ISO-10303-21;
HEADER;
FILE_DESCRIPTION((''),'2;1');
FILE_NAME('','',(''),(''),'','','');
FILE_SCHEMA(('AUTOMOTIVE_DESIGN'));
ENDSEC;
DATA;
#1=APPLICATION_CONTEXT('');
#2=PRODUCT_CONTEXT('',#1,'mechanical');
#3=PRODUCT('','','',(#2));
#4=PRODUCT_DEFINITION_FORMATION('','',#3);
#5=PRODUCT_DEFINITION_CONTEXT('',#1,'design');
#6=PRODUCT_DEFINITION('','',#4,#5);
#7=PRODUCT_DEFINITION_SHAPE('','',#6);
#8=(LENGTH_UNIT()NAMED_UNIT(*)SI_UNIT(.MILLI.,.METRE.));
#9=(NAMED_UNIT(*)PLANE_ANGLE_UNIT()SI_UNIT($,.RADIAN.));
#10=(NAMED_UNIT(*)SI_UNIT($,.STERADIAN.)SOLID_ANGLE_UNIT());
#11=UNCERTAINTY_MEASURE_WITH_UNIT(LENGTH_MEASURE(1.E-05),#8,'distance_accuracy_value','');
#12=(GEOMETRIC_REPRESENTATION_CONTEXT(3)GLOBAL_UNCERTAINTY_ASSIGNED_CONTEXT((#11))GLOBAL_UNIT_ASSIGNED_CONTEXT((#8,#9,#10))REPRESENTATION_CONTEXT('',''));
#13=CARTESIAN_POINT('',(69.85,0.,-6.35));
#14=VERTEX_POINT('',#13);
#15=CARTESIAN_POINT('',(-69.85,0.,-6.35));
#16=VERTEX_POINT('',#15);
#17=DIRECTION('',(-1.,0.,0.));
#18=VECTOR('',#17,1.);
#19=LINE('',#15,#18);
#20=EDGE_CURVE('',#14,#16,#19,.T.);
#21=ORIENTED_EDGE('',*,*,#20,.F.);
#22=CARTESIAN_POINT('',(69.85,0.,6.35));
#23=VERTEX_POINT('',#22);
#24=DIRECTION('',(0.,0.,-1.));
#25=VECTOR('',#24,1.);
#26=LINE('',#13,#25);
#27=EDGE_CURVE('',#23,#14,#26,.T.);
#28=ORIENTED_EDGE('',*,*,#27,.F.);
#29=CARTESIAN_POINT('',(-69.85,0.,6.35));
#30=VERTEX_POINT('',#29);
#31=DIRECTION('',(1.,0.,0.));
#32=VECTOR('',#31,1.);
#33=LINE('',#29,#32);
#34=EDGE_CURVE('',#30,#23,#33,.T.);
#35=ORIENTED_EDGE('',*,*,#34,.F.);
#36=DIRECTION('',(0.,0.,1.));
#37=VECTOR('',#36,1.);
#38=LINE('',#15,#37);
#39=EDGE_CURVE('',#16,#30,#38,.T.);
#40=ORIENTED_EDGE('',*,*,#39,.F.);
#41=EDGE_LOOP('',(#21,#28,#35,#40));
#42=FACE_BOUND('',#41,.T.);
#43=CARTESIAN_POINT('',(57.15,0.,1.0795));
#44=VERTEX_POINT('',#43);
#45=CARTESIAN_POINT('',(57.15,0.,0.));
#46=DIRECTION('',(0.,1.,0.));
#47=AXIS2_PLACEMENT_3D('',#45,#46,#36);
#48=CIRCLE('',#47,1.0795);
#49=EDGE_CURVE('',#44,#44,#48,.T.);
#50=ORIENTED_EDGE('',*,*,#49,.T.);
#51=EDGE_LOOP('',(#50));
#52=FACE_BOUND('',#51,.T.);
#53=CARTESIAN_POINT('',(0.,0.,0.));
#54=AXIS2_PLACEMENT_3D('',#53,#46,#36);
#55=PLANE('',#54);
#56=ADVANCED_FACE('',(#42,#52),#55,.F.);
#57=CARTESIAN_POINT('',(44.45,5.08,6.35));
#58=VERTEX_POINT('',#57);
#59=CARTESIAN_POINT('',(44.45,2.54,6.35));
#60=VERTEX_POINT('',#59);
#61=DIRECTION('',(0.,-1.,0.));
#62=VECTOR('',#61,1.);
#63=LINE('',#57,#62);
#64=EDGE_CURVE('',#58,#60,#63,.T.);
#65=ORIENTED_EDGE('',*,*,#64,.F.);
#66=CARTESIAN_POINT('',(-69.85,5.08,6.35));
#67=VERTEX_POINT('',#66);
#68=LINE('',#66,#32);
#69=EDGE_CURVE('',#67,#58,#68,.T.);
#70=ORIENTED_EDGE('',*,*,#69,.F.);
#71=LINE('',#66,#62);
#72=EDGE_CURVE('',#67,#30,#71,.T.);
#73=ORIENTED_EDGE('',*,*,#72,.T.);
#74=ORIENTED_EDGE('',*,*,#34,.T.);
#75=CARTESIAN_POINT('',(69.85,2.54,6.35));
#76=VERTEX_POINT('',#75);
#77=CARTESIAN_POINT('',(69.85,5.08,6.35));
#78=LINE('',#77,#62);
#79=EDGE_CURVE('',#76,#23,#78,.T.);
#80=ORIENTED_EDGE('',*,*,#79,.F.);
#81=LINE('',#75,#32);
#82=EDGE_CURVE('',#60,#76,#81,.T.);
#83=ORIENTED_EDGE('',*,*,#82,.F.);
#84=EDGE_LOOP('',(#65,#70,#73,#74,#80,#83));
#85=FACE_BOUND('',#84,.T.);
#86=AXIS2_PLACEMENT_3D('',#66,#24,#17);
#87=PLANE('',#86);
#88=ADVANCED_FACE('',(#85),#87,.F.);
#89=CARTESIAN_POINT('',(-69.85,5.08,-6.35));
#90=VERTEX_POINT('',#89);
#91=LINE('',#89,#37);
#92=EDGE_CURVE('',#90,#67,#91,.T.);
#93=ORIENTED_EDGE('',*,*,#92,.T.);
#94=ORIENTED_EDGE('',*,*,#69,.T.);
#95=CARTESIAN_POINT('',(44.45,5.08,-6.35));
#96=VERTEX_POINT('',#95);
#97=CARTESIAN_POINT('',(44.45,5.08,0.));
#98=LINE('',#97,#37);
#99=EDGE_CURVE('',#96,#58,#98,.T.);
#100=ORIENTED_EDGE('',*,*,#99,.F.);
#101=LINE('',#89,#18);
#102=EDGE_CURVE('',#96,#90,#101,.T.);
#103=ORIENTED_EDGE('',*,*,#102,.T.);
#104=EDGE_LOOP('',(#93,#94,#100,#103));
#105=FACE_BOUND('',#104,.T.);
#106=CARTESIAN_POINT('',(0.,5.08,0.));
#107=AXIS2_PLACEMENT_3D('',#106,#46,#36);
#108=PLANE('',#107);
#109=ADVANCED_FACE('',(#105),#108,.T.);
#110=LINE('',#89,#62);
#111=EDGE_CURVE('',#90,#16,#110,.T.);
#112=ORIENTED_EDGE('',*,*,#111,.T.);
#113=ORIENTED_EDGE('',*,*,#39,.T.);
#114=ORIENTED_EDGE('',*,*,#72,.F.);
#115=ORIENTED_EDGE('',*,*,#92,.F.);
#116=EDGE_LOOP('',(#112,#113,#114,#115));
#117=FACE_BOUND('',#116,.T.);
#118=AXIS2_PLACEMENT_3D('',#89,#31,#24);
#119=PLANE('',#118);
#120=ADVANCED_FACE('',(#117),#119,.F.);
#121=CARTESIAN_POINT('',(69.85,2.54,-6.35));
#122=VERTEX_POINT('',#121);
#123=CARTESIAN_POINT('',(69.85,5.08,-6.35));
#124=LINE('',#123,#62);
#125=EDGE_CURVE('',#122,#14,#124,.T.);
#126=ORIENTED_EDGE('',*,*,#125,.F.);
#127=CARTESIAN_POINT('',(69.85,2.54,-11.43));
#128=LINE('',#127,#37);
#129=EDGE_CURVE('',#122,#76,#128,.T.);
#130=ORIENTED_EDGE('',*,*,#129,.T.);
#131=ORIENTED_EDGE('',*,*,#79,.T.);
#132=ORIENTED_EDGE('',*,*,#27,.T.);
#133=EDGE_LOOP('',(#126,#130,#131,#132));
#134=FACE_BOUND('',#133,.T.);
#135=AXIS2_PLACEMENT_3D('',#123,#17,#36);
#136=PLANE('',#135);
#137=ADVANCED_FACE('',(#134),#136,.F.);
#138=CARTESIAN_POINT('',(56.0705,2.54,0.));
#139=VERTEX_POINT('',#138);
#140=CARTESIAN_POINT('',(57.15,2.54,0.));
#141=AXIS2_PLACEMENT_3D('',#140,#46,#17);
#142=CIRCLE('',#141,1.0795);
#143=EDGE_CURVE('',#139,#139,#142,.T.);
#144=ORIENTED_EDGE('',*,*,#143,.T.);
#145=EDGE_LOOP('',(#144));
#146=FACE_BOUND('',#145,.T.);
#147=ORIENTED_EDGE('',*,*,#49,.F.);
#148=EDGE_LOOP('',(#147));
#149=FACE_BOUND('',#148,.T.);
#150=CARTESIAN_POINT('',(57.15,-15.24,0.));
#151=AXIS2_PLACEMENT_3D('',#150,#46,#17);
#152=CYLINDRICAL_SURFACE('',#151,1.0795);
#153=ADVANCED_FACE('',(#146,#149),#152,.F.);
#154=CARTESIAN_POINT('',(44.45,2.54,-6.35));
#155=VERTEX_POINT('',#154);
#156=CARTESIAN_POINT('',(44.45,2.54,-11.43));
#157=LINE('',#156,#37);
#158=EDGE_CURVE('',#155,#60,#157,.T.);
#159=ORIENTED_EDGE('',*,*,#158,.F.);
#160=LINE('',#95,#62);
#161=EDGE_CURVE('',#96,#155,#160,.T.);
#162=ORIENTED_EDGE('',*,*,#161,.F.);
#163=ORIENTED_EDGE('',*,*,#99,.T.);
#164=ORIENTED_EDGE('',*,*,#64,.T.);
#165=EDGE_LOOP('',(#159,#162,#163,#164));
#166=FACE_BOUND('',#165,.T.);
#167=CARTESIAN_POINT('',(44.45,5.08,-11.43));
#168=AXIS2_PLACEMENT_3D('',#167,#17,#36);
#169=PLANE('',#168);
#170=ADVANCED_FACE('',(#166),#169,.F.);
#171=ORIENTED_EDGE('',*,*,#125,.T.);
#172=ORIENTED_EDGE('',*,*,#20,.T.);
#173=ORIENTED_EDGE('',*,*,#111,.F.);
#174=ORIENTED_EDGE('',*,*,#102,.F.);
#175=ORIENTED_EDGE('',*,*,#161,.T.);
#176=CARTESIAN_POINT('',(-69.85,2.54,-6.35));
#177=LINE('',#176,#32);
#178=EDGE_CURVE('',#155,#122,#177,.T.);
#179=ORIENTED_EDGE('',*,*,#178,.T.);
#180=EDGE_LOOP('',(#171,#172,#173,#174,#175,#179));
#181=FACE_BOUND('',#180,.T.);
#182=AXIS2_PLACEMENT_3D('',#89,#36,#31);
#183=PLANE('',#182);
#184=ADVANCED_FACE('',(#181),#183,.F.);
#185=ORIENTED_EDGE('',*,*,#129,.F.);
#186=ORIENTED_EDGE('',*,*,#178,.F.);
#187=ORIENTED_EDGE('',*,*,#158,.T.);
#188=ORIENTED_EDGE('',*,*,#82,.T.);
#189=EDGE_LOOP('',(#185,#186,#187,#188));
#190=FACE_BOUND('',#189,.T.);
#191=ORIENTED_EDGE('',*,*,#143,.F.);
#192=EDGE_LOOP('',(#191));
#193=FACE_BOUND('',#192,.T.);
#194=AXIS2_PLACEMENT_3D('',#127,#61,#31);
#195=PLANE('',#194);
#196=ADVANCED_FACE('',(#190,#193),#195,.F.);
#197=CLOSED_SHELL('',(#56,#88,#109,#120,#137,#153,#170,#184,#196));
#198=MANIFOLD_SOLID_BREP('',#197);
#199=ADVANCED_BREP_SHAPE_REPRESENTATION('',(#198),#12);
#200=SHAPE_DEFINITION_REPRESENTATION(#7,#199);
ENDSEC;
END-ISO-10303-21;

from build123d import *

# Parameters (mm, degrees)
SKETCH1_W           = 139.7
SKETCH1_H           = 12.7
BOSS_EXTRUDE1_DEPTH = 5.08
SKETCH3_W           = 25.4
SKETCH3_H           = 2.54
CUT_EXTRUDE1_DEPTH  = 17.78
SKETCH4_R           = 1.0795
CUT_EXTRUDE2_DEPTH  = 17.78


with BuildPart() as part:
    # Sketch1 → Boss-Extrude1 (new body)
    with BuildSketch(Plane(origin=(0, 0, 0), x_dir=(1, 0, 0), z_dir=(0, 1, 0))):
        Rectangle(SKETCH1_W, SKETCH1_H)
    extrude(amount=BOSS_EXTRUDE1_DEPTH)

    # Sketch3 → Cut-Extrude1 (cut)
    with BuildSketch(Plane.XY.offset(6.35)):
        with Locations((57.15, 3.81)):
            Rectangle(SKETCH3_W, SKETCH3_H)
    extrude(amount=-CUT_EXTRUDE1_DEPTH, mode=Mode.SUBTRACT)

    # Sketch4 → Cut-Extrude2 (cut)
    with BuildSketch(Plane(origin=(0, 2.54, 0), x_dir=(1, 0, 0), z_dir=(0, 1, 0))):
        with Locations((57.15, 0)):
            Circle(SKETCH4_R)
    extrude(amount=-CUT_EXTRUDE2_DEPTH, mode=Mode.SUBTRACT)


solid = part.part
